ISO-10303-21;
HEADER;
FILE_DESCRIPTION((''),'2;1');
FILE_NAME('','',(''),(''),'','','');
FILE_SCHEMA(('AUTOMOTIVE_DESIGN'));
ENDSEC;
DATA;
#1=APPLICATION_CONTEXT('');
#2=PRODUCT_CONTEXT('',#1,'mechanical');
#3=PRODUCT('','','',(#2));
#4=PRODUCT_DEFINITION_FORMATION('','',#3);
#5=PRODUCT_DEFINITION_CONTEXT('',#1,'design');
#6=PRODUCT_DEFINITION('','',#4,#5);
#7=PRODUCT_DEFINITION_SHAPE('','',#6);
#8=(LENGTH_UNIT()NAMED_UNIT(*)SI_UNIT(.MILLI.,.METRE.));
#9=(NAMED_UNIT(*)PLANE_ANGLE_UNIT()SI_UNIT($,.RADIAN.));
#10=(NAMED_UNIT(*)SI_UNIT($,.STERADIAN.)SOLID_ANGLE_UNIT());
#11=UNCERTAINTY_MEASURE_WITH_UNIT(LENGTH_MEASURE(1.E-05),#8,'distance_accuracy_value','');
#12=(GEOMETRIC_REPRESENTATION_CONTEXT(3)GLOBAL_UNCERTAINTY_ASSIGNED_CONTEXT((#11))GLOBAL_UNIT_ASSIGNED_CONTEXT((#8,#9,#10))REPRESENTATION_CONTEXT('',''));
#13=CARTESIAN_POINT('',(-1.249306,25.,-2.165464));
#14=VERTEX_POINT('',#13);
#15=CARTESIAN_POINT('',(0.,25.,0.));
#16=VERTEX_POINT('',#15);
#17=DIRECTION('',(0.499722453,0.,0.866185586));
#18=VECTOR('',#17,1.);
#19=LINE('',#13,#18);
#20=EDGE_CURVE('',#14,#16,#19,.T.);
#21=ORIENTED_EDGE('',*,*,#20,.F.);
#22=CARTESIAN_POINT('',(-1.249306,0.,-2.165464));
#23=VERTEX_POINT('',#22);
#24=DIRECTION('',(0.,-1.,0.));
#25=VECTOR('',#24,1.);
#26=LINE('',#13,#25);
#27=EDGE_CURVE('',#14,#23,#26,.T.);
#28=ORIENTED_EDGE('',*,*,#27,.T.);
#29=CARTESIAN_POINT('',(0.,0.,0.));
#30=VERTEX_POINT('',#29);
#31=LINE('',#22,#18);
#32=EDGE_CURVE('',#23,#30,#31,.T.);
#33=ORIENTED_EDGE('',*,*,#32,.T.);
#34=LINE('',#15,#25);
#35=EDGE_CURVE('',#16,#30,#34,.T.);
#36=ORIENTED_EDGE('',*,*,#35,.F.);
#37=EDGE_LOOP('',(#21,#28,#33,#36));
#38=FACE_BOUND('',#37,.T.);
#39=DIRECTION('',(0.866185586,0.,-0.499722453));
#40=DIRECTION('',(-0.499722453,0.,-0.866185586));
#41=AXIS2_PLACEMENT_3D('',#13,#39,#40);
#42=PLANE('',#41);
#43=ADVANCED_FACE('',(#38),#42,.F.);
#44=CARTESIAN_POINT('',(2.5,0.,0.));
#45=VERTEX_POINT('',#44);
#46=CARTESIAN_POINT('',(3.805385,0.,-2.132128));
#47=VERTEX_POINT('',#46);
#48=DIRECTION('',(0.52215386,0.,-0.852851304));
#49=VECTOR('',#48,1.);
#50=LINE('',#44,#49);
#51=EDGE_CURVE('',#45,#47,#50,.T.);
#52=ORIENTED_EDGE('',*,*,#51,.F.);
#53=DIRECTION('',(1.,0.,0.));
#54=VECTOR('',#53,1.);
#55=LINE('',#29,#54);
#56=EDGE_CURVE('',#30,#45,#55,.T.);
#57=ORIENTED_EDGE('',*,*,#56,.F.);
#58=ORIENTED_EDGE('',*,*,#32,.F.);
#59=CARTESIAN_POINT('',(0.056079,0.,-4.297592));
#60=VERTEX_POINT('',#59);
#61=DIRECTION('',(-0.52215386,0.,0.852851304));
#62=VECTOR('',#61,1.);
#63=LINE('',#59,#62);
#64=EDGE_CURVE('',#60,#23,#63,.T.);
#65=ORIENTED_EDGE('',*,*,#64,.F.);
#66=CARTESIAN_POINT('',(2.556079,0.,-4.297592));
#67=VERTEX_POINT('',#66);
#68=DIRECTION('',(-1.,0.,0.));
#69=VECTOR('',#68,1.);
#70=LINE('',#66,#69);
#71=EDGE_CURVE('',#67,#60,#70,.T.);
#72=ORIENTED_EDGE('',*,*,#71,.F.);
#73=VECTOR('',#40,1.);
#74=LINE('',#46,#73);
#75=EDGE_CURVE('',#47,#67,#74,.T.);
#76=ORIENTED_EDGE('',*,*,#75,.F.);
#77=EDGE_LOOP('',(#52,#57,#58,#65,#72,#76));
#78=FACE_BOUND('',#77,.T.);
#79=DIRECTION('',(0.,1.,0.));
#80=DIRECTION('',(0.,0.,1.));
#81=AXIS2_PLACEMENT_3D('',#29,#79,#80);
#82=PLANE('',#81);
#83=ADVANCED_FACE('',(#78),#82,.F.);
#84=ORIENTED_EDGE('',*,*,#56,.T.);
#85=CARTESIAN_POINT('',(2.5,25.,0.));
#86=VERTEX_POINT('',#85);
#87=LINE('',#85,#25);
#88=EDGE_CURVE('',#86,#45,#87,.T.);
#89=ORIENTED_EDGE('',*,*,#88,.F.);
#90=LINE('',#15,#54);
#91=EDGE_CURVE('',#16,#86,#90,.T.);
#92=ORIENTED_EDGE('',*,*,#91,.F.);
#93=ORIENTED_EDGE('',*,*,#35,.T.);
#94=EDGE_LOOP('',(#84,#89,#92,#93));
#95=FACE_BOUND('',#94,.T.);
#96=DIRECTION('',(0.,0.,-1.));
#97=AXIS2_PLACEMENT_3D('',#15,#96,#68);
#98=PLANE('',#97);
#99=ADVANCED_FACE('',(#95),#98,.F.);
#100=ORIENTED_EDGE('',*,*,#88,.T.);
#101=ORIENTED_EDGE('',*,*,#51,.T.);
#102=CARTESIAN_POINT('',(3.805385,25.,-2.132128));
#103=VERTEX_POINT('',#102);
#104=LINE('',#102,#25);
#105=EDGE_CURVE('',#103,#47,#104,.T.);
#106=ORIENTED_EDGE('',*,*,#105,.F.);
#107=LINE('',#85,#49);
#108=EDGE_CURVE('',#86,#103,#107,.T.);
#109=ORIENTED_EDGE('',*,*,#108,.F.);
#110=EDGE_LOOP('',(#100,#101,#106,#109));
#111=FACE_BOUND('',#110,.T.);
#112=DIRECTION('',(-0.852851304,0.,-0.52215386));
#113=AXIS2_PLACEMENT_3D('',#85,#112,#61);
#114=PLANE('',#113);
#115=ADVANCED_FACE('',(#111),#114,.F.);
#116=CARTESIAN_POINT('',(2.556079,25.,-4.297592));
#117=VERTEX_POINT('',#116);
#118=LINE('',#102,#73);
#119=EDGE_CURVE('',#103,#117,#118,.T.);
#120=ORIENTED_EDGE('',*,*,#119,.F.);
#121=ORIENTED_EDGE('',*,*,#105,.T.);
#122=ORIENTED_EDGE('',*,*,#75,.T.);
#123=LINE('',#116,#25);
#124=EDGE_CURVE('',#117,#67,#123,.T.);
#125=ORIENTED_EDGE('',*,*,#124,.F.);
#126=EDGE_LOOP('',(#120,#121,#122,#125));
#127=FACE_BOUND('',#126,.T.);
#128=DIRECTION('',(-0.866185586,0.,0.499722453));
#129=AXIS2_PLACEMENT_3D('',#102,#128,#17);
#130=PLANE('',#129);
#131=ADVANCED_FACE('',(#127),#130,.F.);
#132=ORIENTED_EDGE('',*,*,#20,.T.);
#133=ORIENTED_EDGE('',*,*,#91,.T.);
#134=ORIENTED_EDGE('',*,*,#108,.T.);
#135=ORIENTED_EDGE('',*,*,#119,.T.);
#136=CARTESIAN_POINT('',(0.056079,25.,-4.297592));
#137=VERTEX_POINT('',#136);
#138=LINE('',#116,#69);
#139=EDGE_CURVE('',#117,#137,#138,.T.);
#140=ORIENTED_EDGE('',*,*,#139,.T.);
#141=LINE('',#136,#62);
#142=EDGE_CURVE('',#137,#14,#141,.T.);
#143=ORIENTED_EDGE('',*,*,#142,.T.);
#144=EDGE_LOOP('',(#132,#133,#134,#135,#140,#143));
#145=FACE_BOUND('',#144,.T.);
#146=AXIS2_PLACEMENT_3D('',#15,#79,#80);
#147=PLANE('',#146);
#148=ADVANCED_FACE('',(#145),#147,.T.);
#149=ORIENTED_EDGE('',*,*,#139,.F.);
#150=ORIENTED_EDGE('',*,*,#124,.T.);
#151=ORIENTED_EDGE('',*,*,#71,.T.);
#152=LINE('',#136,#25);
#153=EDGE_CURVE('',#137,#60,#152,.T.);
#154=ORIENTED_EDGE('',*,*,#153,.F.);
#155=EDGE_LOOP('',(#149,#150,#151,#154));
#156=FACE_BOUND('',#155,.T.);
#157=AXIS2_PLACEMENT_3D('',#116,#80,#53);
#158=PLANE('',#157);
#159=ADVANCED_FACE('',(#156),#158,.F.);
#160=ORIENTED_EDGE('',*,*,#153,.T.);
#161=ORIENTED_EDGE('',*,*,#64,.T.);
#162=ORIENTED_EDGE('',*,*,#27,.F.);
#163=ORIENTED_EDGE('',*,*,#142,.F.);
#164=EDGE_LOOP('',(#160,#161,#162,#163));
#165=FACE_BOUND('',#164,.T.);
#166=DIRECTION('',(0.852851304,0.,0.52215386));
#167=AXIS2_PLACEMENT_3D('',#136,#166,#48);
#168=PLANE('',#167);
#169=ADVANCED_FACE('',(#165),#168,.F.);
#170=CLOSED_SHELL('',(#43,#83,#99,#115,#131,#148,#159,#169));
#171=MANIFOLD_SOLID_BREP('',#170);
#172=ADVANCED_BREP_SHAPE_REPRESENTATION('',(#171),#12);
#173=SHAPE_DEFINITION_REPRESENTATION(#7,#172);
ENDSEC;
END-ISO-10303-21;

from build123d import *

# Parameters (mm, degrees)
EXTRUDE_1_DEPTH = 25


with BuildPart() as part:
    # 草图1 → 凸台-拉伸1 (new body)
    with BuildSketch(Plane(origin=(0, 0, 0), x_dir=(1, 0, 0), z_dir=(0, 1, 0))):
        Polygon((0, 0), (2.5, 0), (3.805384649, 2.13212826), (2.556078515, 4.297592225), (0.056078515, 4.297592225), (-1.249306134, 2.165463965), align=None)
    extrude(amount=EXTRUDE_1_DEPTH)


solid = part.part
